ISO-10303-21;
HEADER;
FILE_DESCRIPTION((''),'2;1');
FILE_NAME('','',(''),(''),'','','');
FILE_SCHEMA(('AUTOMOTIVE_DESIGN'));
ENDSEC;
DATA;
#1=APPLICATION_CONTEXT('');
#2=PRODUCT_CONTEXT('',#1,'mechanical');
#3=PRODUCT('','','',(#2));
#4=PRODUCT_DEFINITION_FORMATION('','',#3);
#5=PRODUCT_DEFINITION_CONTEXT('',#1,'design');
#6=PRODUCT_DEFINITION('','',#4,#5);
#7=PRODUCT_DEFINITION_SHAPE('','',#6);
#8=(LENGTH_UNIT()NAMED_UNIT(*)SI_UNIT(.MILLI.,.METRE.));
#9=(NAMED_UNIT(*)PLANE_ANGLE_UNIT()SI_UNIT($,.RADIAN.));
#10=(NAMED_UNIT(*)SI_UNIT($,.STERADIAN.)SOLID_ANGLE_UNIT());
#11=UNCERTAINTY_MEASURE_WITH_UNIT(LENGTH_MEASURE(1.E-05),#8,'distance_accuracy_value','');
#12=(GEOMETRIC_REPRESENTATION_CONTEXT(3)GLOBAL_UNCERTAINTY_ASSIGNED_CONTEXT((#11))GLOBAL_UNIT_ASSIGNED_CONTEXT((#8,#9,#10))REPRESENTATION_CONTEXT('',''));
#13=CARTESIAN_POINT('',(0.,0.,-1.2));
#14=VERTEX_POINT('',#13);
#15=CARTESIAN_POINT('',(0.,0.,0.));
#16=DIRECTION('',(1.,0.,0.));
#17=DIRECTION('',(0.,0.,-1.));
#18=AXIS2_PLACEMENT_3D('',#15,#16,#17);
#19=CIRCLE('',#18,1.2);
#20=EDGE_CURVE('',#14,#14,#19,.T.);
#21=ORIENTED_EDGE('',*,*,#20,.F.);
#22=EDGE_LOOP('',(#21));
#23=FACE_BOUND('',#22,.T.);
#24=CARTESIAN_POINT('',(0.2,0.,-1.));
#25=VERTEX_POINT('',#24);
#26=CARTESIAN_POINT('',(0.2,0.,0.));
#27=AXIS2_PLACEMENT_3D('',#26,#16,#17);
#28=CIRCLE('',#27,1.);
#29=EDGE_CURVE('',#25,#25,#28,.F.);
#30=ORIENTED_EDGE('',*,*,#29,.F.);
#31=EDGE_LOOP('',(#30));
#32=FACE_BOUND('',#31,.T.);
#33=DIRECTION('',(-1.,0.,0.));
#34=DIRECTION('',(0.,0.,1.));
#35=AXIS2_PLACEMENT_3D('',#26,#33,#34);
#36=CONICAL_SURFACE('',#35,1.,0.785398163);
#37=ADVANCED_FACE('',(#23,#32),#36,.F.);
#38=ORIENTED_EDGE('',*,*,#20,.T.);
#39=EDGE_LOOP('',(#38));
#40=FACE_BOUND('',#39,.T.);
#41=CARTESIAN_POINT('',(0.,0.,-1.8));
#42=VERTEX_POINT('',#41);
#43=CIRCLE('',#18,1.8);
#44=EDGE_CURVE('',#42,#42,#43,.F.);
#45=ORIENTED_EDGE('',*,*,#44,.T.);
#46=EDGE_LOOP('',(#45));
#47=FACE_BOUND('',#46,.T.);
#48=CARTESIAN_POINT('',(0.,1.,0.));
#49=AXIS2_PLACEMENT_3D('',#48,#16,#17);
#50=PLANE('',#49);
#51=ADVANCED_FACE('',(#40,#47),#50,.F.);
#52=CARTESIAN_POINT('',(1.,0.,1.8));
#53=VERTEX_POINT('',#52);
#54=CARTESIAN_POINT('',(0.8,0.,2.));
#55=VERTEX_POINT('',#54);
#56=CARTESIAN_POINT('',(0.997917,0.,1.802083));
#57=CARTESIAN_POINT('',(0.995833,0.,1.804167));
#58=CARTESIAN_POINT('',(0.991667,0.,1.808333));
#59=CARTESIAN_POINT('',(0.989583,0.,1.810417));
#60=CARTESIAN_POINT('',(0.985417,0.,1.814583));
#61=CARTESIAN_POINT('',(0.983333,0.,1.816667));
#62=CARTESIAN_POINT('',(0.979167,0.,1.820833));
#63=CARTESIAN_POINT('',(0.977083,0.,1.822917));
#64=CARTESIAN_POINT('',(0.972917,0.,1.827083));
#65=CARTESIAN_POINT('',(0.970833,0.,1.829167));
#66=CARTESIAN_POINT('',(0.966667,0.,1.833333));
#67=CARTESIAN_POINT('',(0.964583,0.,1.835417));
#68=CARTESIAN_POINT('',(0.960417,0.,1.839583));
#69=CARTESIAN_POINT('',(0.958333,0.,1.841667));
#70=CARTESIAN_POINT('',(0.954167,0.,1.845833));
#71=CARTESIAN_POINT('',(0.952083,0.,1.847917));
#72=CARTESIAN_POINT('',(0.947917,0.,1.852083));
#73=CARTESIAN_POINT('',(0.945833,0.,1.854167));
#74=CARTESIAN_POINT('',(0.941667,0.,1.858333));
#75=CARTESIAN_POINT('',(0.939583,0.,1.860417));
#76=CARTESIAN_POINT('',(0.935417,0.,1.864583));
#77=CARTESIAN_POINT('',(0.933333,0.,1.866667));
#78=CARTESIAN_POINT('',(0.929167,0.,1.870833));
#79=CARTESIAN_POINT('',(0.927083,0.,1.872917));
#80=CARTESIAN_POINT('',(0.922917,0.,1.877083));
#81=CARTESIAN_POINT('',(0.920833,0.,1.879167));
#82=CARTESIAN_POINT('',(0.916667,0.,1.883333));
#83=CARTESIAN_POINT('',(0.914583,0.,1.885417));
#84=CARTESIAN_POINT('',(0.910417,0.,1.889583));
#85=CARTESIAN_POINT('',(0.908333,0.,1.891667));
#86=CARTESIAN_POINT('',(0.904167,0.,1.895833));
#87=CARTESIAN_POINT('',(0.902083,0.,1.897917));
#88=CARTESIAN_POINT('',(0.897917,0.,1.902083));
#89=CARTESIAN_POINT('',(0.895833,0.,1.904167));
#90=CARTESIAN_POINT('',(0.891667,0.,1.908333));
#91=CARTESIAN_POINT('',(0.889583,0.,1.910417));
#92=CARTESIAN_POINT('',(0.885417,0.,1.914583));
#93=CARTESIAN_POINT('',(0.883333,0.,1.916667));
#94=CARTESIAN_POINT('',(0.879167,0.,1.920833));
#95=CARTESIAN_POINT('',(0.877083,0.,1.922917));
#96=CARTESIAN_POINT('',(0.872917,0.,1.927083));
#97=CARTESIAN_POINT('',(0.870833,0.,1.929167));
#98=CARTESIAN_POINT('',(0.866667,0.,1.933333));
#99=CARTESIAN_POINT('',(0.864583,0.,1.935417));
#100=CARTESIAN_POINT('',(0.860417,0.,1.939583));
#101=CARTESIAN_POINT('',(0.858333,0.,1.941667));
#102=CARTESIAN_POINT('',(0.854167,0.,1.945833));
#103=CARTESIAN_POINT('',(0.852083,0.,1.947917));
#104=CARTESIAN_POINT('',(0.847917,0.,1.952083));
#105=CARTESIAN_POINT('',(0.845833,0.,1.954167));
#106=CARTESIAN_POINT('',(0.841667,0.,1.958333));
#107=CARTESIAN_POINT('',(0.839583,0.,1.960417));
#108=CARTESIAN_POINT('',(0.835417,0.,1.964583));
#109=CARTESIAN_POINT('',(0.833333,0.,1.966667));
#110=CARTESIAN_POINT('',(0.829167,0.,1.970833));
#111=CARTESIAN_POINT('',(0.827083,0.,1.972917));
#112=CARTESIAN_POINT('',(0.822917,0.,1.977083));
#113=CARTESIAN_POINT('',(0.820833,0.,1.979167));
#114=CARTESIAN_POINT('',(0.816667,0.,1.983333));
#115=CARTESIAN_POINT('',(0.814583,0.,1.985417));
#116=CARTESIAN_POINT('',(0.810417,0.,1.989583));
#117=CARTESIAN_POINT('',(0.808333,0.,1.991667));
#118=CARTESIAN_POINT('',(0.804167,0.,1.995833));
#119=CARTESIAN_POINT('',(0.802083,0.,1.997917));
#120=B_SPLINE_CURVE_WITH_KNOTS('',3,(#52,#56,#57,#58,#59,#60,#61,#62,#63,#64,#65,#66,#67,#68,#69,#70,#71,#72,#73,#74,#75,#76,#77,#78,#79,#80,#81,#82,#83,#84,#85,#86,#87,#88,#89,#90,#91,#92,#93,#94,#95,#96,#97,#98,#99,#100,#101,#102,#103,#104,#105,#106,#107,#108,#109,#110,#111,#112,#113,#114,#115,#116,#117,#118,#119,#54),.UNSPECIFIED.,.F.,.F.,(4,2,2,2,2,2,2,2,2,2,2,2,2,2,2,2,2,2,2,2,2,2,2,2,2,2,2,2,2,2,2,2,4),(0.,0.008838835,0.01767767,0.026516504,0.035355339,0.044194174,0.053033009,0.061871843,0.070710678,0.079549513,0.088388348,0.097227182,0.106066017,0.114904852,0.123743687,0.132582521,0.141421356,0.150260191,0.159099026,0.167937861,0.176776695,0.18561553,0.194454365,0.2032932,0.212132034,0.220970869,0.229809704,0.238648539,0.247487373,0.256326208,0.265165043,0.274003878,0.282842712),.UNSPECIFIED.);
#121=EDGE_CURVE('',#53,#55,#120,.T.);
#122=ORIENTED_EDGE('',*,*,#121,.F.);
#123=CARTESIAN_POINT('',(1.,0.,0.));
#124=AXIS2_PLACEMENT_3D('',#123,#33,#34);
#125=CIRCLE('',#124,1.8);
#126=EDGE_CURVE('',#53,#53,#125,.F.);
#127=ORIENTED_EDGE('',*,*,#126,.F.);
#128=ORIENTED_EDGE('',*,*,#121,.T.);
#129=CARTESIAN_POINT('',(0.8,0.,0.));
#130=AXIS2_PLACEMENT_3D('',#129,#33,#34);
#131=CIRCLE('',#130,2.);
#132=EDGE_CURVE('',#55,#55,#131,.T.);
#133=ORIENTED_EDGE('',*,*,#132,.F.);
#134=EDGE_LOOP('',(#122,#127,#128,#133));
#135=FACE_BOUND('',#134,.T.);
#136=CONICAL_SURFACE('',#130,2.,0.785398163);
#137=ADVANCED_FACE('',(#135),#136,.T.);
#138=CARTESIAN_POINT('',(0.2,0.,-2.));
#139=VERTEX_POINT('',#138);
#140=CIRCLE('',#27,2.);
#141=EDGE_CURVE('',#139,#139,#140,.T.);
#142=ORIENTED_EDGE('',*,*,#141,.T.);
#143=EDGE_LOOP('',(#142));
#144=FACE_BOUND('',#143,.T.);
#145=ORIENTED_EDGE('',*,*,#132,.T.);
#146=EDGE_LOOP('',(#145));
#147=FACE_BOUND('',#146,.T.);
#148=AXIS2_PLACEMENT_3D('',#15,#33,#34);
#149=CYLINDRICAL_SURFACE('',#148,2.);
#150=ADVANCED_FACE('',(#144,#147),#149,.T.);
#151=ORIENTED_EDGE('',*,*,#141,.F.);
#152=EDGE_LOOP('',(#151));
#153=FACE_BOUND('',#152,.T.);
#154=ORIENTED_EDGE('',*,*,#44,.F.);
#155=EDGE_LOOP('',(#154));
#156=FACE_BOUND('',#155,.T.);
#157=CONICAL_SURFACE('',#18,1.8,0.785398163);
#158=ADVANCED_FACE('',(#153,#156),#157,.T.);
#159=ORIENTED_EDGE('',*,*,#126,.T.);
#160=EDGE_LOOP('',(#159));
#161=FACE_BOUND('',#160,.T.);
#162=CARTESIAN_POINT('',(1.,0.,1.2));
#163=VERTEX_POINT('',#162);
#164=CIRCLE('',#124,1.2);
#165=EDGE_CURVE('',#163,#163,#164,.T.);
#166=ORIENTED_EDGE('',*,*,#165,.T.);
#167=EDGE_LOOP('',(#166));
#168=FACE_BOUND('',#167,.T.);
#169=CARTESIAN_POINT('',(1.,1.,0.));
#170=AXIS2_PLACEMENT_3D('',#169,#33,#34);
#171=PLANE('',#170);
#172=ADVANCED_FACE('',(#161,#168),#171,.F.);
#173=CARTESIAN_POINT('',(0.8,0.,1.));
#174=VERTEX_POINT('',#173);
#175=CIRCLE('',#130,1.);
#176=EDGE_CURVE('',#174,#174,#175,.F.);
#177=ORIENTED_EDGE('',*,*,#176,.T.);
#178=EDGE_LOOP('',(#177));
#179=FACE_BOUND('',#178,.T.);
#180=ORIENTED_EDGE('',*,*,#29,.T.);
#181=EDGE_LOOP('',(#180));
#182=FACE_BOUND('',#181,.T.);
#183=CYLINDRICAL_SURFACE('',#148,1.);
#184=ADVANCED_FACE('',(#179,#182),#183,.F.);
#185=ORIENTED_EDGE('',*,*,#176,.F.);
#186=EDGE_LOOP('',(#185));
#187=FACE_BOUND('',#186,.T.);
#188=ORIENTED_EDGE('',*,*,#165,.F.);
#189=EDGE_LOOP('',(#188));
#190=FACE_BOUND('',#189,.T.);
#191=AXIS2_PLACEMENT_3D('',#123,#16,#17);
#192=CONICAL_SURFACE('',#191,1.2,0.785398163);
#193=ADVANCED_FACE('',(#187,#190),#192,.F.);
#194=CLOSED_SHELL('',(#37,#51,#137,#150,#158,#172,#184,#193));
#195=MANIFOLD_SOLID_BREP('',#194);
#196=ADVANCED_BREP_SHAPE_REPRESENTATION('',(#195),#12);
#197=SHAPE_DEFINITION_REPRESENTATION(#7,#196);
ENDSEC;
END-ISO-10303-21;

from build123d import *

# Parameters (mm, degrees)
SKETCH1_W     = 1
SKETCH1_H     = 1
CHAMFER1_SIZE = 0.2


with BuildPart() as part:
    # Sketch1 → Revolve1 (revolve)
    with BuildSketch(Plane.XY, mode=Mode.PRIVATE) as revolve1_sk:
        with Locations((0.5, 1.5)):
            Rectangle(SKETCH1_W, SKETCH1_H)
    revolve(revolve1_sk.sketch.rotate(Axis((0, 0, 0), (1, 0, 0)), 90), axis=Axis((0, 0, 0), (1, 0, 0)))

    # Chamfer1
    chamfer1_edges = [part.edges().sort_by_distance(p)[0] for p in [
        (0, 0, -1),
        (1, 0, -1),
        (1, 0, -2),
        (0, 0, -2),
    ]]
    chamfer(chamfer1_edges, length=CHAMFER1_SIZE)


solid = part.part
